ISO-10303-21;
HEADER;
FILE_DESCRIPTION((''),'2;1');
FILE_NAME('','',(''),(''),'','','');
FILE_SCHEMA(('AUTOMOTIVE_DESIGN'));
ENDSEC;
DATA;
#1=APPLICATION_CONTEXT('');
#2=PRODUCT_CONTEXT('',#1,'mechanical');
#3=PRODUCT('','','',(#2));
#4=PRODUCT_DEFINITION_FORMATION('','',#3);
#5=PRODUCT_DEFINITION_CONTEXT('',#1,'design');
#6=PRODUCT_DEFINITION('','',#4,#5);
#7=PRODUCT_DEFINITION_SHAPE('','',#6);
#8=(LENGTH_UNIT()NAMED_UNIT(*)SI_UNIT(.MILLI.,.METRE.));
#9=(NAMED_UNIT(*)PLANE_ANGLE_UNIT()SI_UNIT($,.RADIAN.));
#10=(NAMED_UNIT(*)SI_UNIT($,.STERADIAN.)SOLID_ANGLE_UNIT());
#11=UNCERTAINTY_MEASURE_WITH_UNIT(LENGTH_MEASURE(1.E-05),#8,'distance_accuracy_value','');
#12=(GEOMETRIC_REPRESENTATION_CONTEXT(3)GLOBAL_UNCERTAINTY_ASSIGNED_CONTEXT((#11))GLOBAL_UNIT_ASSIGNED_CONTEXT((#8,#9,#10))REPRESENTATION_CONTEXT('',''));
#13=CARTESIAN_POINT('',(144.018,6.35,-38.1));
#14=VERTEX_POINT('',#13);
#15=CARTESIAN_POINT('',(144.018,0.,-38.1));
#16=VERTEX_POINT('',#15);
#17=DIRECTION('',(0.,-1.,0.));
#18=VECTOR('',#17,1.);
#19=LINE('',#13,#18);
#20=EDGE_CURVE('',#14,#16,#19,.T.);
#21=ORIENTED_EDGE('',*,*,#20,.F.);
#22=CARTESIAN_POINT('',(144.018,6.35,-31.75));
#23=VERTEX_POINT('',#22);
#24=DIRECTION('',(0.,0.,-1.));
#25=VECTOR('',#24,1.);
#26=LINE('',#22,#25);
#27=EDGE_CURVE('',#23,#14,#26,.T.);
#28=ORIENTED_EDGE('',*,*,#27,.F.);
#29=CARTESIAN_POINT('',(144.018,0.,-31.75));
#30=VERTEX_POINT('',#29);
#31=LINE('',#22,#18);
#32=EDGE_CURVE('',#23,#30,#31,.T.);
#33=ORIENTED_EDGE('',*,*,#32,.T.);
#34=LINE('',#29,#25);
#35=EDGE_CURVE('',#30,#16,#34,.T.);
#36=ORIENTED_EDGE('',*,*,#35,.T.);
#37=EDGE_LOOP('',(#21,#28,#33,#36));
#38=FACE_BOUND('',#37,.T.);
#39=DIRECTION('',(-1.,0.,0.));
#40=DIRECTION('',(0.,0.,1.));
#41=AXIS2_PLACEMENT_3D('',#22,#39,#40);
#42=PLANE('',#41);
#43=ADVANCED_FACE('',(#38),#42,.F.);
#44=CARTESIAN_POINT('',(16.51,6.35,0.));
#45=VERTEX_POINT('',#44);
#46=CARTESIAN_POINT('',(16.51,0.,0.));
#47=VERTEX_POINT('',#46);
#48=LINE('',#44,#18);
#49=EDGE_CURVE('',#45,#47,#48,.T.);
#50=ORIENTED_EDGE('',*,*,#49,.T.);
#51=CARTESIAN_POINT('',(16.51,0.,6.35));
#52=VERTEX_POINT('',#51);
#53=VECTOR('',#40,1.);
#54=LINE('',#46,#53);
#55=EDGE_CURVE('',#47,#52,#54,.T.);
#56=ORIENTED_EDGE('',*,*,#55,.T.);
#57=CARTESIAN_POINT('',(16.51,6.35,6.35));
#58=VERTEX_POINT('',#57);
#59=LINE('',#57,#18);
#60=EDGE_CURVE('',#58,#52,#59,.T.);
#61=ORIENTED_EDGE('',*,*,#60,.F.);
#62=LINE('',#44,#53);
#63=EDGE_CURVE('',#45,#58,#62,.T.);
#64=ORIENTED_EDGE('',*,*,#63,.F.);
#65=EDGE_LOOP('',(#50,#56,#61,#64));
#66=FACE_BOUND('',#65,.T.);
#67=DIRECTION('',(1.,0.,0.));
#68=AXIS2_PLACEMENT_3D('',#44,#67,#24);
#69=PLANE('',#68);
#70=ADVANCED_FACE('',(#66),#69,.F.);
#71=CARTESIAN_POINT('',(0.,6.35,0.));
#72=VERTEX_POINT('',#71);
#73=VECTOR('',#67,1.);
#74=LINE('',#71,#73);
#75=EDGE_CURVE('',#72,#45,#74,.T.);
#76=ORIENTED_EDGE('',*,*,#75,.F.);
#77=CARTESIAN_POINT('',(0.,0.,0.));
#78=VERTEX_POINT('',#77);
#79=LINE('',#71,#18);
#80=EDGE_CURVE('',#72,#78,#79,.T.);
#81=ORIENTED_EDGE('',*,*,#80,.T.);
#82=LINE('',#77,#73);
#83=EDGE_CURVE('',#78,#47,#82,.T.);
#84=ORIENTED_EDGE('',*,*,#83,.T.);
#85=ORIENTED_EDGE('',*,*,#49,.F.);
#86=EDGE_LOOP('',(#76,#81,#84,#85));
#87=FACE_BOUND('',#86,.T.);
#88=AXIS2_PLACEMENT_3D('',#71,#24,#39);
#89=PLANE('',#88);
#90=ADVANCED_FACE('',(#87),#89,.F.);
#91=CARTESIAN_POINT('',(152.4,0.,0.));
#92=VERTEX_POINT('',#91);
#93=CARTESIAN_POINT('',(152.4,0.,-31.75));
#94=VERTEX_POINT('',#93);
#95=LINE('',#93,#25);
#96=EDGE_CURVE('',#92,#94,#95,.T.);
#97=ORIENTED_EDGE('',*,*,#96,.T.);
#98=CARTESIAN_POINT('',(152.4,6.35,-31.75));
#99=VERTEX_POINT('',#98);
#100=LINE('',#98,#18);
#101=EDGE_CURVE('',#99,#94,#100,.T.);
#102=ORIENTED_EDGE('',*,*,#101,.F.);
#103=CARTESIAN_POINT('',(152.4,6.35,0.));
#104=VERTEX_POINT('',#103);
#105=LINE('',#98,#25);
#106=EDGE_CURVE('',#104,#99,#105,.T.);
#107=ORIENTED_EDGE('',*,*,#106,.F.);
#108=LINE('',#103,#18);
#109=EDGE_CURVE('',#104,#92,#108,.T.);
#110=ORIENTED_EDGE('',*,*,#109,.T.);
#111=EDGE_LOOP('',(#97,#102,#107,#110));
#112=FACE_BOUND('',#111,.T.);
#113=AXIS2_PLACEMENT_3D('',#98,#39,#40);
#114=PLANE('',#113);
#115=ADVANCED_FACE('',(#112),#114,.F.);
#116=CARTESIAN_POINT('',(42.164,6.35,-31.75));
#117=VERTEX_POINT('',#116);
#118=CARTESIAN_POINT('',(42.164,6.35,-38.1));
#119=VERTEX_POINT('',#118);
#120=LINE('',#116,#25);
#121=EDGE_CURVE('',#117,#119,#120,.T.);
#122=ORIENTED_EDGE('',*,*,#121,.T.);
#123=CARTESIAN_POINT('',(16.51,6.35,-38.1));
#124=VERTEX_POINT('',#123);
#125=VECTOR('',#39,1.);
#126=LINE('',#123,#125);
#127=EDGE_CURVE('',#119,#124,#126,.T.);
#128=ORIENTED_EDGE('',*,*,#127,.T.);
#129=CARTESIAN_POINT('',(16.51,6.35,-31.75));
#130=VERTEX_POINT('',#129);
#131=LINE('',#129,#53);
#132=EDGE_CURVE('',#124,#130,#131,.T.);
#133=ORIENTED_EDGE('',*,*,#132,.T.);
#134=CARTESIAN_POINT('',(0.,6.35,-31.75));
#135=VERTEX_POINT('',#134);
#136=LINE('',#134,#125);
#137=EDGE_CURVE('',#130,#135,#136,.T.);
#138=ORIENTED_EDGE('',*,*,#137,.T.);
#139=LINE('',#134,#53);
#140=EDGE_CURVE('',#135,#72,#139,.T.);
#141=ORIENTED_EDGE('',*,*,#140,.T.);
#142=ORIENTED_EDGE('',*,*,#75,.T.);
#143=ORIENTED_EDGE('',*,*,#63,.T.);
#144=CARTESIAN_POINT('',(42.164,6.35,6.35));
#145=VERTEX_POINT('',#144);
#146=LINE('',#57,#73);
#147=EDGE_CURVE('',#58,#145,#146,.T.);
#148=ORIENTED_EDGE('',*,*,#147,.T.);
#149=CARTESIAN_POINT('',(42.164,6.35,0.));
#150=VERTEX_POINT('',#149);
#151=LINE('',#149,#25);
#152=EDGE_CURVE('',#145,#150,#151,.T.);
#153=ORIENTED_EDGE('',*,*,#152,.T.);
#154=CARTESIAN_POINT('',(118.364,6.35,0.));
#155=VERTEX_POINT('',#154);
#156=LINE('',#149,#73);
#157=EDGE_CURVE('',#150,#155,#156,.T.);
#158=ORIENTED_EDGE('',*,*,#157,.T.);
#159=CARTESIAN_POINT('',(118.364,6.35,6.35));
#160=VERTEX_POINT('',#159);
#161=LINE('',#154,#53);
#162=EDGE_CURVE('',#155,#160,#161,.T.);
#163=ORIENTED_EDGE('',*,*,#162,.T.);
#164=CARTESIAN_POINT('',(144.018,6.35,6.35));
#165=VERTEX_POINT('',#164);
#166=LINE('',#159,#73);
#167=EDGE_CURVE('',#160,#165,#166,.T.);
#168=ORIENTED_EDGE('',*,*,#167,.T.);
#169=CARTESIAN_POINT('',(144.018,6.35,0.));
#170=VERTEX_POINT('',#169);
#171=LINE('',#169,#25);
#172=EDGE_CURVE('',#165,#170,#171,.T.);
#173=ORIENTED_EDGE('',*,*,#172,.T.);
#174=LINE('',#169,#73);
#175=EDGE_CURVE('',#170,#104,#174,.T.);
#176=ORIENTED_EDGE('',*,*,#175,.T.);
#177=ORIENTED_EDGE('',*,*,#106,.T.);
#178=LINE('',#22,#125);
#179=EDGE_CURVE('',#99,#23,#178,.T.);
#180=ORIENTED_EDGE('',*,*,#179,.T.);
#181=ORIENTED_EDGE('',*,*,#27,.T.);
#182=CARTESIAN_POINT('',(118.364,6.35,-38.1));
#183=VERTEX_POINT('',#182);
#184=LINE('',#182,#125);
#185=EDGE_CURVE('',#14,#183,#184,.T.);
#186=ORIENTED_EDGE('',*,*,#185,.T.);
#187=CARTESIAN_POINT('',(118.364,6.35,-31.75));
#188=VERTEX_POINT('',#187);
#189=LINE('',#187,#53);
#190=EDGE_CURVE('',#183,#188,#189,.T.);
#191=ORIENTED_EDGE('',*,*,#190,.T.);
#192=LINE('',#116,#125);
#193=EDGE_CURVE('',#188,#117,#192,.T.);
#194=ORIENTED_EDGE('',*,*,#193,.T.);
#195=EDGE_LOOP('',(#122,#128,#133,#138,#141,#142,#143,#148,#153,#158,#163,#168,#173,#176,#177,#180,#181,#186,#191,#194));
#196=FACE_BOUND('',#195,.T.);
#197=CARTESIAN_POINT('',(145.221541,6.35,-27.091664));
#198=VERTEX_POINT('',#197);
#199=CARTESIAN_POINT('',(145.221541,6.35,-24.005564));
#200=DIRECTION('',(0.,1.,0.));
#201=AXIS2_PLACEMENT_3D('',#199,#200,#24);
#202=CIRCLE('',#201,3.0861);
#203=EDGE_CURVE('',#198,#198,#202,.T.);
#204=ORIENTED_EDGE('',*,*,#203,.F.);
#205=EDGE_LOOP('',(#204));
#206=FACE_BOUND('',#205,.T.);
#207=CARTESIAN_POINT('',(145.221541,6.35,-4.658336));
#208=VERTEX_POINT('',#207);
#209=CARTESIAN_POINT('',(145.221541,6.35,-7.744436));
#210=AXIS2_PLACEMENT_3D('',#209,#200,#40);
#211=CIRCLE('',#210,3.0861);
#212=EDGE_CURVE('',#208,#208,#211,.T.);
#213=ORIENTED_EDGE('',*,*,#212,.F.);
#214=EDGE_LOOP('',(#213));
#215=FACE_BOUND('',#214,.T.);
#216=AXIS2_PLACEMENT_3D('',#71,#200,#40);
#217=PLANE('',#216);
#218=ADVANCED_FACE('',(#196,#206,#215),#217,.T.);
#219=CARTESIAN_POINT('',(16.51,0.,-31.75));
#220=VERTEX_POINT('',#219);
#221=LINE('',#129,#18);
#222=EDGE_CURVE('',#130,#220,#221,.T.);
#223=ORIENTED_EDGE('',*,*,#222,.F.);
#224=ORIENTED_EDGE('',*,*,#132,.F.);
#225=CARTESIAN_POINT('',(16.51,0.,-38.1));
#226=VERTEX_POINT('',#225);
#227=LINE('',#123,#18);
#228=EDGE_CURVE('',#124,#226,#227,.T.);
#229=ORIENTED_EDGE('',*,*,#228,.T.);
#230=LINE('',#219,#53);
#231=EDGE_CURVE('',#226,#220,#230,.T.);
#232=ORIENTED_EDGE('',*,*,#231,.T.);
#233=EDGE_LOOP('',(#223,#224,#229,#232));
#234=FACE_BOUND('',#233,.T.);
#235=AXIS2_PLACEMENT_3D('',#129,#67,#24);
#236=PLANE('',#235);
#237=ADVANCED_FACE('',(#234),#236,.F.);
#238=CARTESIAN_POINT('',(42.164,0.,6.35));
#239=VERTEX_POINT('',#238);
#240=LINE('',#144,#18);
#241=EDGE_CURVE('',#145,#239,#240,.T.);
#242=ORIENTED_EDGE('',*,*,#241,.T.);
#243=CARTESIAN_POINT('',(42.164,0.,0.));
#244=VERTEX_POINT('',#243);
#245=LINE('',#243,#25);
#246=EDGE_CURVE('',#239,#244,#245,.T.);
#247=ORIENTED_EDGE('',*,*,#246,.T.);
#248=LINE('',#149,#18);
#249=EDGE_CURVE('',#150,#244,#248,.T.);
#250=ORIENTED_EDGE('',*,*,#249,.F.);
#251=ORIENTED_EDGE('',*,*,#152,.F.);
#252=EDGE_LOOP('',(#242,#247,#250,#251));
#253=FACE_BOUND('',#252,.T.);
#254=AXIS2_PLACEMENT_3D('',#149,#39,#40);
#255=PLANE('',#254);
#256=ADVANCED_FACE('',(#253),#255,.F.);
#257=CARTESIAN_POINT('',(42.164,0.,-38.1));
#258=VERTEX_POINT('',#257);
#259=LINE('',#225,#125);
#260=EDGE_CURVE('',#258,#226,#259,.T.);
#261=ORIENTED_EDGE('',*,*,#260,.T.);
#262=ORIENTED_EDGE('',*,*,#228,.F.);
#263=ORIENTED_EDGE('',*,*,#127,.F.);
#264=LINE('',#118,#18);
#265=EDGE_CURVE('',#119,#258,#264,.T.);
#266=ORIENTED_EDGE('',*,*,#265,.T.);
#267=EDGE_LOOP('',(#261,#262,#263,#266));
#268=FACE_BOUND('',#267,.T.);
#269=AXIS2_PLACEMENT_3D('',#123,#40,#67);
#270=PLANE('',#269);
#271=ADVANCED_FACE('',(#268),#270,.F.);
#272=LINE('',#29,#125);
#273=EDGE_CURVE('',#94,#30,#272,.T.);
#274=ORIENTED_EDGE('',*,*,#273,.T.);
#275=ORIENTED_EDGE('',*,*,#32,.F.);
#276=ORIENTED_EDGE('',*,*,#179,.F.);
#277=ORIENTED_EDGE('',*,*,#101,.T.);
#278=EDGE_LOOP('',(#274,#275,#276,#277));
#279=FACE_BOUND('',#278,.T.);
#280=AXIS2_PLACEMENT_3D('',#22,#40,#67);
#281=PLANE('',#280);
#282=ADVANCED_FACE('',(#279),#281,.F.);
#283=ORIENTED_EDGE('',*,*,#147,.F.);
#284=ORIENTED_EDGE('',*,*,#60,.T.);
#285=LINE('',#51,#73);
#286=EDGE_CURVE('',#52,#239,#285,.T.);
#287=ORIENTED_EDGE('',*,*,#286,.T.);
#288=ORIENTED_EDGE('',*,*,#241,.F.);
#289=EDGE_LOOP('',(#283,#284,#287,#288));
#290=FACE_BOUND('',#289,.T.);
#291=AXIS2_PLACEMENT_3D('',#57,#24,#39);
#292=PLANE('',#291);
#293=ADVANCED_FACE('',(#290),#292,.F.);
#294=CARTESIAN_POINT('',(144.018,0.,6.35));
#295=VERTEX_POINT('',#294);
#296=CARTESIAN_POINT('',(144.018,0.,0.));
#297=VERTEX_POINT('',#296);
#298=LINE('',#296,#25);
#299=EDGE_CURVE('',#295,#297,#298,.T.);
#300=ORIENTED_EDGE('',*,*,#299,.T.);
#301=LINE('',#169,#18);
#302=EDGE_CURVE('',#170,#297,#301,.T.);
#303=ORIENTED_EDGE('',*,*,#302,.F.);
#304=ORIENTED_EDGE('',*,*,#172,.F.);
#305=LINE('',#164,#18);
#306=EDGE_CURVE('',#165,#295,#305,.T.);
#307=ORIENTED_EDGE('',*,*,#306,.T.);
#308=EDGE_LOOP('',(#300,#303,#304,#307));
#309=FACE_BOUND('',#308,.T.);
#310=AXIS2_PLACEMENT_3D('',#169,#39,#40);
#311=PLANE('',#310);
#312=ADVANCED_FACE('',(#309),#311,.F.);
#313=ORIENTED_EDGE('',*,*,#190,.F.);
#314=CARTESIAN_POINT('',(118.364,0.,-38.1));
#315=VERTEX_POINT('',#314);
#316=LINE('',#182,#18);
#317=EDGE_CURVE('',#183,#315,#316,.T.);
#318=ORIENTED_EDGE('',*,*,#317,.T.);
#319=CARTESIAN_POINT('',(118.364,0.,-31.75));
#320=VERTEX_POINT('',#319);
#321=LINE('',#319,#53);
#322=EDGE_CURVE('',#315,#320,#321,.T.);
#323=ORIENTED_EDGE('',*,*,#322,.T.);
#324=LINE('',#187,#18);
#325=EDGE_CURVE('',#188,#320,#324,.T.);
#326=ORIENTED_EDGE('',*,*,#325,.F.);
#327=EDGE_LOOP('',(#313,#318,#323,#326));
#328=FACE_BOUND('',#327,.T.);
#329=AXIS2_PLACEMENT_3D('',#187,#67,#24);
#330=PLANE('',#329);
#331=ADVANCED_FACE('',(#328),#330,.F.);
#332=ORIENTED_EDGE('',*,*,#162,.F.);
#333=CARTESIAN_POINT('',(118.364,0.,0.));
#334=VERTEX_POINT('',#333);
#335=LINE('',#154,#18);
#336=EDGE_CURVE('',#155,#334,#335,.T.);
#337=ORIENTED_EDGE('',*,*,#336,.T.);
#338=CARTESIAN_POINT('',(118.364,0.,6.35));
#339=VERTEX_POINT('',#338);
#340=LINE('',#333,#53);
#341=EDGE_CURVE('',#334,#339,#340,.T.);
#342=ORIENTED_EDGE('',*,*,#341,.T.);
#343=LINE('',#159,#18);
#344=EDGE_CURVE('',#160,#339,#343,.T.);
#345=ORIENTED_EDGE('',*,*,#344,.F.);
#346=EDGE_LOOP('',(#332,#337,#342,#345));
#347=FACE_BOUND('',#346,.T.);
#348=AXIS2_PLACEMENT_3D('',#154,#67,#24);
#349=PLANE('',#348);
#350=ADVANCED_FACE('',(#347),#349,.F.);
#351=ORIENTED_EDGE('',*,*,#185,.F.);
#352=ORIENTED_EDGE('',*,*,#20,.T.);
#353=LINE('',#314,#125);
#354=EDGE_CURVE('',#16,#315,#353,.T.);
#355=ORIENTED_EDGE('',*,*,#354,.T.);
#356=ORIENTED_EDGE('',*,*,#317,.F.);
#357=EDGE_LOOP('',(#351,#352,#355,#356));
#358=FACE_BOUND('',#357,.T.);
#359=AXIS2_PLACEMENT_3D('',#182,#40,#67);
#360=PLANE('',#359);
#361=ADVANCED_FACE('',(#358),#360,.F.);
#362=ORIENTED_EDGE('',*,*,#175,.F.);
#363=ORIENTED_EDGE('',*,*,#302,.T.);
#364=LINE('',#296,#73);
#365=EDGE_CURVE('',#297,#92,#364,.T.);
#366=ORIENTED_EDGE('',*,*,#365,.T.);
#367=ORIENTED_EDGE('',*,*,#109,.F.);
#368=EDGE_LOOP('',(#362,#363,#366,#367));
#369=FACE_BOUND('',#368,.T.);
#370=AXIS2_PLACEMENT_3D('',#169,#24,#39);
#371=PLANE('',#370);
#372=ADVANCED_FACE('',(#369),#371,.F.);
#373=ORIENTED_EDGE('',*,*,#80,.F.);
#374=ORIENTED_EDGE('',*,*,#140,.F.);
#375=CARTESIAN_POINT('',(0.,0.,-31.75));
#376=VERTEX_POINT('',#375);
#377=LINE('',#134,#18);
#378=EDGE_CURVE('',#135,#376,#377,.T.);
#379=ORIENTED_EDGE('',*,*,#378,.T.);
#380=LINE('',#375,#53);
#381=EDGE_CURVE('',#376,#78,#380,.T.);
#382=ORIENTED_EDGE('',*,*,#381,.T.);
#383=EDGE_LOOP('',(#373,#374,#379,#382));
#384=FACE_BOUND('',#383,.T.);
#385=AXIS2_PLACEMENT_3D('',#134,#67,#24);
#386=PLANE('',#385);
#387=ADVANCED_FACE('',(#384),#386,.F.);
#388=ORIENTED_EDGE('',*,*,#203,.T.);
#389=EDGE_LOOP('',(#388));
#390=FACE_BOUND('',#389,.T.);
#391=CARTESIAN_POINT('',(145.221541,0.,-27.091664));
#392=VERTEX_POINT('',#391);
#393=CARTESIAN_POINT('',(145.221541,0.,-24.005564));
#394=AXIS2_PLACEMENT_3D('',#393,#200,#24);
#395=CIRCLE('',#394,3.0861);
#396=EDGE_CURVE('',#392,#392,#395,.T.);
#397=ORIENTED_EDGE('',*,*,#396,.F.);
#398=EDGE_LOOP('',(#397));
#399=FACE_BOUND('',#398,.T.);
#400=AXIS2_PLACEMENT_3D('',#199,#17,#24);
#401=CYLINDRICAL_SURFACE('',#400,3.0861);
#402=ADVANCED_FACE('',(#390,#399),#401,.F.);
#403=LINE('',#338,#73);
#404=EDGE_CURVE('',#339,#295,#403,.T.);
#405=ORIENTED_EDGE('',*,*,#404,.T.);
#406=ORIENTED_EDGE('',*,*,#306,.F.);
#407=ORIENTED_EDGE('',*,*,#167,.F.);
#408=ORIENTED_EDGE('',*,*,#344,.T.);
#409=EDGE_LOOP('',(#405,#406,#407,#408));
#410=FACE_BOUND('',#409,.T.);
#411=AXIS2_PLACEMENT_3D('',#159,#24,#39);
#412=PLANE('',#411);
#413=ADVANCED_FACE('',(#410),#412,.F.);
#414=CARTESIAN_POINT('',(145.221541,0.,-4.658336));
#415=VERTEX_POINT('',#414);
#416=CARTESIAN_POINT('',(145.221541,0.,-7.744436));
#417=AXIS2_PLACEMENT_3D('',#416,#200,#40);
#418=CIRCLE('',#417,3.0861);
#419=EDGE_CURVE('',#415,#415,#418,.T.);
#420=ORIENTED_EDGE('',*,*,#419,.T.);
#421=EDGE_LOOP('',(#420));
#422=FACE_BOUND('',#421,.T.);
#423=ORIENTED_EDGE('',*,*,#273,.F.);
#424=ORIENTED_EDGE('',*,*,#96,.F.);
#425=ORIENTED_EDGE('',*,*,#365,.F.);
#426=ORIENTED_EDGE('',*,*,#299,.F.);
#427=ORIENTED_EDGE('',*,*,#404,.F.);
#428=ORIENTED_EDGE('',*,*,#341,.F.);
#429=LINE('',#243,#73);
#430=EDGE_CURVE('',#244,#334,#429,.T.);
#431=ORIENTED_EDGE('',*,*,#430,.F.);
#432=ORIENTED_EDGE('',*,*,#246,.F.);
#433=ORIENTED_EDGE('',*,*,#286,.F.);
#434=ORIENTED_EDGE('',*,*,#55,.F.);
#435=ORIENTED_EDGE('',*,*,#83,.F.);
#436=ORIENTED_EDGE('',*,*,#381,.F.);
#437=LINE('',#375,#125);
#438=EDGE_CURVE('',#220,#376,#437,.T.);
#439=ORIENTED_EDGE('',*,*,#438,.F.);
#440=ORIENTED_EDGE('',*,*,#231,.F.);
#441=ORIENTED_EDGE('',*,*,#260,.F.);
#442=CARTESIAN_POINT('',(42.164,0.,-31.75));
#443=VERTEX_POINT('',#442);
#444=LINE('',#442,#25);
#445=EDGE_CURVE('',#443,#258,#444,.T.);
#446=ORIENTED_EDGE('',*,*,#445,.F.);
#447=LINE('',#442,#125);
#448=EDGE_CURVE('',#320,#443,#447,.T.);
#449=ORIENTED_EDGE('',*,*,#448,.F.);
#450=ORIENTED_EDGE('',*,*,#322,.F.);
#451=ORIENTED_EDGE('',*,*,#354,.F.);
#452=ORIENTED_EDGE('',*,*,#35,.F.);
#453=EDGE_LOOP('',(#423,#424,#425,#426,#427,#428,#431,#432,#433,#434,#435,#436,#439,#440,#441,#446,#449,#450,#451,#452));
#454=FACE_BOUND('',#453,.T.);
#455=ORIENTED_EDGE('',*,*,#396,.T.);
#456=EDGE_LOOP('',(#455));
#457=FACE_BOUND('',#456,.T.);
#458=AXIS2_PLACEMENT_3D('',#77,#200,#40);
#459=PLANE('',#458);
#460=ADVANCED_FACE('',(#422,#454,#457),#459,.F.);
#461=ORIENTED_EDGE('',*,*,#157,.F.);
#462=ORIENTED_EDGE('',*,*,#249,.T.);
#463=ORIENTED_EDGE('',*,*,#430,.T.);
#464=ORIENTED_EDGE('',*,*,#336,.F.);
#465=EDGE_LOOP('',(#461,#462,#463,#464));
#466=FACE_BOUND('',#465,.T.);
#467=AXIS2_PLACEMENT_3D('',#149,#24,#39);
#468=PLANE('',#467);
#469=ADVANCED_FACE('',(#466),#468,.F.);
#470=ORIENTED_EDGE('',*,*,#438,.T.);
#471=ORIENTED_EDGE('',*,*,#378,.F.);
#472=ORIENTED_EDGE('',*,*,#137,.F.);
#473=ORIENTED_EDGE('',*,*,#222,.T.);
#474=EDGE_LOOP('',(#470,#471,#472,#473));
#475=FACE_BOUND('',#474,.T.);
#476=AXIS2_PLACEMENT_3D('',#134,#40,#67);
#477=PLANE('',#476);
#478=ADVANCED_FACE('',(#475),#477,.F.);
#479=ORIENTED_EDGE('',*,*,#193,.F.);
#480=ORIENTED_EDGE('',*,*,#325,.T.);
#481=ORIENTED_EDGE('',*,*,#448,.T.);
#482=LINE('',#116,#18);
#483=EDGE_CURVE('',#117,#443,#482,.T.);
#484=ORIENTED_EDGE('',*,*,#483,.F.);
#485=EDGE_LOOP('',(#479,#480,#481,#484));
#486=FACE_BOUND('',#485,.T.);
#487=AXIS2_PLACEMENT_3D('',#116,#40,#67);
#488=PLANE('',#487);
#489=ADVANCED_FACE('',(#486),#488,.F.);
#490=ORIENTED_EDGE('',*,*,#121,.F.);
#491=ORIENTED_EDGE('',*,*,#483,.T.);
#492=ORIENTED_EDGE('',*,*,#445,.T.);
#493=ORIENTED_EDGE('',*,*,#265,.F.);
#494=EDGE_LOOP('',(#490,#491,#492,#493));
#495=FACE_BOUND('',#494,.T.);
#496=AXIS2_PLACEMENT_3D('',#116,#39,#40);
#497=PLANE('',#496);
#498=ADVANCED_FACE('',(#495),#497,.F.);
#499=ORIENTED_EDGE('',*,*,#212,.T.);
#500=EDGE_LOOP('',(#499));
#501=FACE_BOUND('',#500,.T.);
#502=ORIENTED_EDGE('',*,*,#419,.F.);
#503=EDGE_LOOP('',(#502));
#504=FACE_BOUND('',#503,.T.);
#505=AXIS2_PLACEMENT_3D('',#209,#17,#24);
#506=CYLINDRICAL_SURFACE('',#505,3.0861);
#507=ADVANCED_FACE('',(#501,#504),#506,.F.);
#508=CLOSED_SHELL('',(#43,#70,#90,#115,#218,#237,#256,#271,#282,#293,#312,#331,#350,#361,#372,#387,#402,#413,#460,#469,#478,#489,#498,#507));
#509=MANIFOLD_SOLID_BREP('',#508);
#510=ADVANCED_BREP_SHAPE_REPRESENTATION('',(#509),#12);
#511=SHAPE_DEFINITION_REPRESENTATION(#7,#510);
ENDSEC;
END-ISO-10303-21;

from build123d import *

# Parameters (mm, degrees)
SKETCH1_R           = 3.0861
BOSS_EXTRUDE1_DEPTH = 6.35


with BuildPart() as part:
    # Sketch1 → Boss-Extrude1 (new body)
    with BuildSketch(Plane(origin=(0, 0, 0), x_dir=(1, 0, 0), z_dir=(0, 1, 0))):
        Polygon((144.018, 0), (144.018, -6.35), (118.364, -6.35), (118.364, 0), (42.164, 0), (42.164, -6.35), (16.51, -6.35), (16.51, 0), (0, 0), (0, 31.75), (16.51, 31.75), (16.51, 38.1), (42.164, 38.1), (42.164, 31.75), (118.364, 31.75), (118.364, 38.1), (144.018, 38.1), (144.018, 31.75), (152.4, 31.75), (152.4, 0), align=None)
        with Locations((145.221541212, 7.744435671)):
            Circle(SKETCH1_R, mode=Mode.SUBTRACT)
        with Locations((145.221541212, 24.005564329)):
            Circle(SKETCH1_R, mode=Mode.SUBTRACT)
    extrude(amount=BOSS_EXTRUDE1_DEPTH)


solid = part.part
